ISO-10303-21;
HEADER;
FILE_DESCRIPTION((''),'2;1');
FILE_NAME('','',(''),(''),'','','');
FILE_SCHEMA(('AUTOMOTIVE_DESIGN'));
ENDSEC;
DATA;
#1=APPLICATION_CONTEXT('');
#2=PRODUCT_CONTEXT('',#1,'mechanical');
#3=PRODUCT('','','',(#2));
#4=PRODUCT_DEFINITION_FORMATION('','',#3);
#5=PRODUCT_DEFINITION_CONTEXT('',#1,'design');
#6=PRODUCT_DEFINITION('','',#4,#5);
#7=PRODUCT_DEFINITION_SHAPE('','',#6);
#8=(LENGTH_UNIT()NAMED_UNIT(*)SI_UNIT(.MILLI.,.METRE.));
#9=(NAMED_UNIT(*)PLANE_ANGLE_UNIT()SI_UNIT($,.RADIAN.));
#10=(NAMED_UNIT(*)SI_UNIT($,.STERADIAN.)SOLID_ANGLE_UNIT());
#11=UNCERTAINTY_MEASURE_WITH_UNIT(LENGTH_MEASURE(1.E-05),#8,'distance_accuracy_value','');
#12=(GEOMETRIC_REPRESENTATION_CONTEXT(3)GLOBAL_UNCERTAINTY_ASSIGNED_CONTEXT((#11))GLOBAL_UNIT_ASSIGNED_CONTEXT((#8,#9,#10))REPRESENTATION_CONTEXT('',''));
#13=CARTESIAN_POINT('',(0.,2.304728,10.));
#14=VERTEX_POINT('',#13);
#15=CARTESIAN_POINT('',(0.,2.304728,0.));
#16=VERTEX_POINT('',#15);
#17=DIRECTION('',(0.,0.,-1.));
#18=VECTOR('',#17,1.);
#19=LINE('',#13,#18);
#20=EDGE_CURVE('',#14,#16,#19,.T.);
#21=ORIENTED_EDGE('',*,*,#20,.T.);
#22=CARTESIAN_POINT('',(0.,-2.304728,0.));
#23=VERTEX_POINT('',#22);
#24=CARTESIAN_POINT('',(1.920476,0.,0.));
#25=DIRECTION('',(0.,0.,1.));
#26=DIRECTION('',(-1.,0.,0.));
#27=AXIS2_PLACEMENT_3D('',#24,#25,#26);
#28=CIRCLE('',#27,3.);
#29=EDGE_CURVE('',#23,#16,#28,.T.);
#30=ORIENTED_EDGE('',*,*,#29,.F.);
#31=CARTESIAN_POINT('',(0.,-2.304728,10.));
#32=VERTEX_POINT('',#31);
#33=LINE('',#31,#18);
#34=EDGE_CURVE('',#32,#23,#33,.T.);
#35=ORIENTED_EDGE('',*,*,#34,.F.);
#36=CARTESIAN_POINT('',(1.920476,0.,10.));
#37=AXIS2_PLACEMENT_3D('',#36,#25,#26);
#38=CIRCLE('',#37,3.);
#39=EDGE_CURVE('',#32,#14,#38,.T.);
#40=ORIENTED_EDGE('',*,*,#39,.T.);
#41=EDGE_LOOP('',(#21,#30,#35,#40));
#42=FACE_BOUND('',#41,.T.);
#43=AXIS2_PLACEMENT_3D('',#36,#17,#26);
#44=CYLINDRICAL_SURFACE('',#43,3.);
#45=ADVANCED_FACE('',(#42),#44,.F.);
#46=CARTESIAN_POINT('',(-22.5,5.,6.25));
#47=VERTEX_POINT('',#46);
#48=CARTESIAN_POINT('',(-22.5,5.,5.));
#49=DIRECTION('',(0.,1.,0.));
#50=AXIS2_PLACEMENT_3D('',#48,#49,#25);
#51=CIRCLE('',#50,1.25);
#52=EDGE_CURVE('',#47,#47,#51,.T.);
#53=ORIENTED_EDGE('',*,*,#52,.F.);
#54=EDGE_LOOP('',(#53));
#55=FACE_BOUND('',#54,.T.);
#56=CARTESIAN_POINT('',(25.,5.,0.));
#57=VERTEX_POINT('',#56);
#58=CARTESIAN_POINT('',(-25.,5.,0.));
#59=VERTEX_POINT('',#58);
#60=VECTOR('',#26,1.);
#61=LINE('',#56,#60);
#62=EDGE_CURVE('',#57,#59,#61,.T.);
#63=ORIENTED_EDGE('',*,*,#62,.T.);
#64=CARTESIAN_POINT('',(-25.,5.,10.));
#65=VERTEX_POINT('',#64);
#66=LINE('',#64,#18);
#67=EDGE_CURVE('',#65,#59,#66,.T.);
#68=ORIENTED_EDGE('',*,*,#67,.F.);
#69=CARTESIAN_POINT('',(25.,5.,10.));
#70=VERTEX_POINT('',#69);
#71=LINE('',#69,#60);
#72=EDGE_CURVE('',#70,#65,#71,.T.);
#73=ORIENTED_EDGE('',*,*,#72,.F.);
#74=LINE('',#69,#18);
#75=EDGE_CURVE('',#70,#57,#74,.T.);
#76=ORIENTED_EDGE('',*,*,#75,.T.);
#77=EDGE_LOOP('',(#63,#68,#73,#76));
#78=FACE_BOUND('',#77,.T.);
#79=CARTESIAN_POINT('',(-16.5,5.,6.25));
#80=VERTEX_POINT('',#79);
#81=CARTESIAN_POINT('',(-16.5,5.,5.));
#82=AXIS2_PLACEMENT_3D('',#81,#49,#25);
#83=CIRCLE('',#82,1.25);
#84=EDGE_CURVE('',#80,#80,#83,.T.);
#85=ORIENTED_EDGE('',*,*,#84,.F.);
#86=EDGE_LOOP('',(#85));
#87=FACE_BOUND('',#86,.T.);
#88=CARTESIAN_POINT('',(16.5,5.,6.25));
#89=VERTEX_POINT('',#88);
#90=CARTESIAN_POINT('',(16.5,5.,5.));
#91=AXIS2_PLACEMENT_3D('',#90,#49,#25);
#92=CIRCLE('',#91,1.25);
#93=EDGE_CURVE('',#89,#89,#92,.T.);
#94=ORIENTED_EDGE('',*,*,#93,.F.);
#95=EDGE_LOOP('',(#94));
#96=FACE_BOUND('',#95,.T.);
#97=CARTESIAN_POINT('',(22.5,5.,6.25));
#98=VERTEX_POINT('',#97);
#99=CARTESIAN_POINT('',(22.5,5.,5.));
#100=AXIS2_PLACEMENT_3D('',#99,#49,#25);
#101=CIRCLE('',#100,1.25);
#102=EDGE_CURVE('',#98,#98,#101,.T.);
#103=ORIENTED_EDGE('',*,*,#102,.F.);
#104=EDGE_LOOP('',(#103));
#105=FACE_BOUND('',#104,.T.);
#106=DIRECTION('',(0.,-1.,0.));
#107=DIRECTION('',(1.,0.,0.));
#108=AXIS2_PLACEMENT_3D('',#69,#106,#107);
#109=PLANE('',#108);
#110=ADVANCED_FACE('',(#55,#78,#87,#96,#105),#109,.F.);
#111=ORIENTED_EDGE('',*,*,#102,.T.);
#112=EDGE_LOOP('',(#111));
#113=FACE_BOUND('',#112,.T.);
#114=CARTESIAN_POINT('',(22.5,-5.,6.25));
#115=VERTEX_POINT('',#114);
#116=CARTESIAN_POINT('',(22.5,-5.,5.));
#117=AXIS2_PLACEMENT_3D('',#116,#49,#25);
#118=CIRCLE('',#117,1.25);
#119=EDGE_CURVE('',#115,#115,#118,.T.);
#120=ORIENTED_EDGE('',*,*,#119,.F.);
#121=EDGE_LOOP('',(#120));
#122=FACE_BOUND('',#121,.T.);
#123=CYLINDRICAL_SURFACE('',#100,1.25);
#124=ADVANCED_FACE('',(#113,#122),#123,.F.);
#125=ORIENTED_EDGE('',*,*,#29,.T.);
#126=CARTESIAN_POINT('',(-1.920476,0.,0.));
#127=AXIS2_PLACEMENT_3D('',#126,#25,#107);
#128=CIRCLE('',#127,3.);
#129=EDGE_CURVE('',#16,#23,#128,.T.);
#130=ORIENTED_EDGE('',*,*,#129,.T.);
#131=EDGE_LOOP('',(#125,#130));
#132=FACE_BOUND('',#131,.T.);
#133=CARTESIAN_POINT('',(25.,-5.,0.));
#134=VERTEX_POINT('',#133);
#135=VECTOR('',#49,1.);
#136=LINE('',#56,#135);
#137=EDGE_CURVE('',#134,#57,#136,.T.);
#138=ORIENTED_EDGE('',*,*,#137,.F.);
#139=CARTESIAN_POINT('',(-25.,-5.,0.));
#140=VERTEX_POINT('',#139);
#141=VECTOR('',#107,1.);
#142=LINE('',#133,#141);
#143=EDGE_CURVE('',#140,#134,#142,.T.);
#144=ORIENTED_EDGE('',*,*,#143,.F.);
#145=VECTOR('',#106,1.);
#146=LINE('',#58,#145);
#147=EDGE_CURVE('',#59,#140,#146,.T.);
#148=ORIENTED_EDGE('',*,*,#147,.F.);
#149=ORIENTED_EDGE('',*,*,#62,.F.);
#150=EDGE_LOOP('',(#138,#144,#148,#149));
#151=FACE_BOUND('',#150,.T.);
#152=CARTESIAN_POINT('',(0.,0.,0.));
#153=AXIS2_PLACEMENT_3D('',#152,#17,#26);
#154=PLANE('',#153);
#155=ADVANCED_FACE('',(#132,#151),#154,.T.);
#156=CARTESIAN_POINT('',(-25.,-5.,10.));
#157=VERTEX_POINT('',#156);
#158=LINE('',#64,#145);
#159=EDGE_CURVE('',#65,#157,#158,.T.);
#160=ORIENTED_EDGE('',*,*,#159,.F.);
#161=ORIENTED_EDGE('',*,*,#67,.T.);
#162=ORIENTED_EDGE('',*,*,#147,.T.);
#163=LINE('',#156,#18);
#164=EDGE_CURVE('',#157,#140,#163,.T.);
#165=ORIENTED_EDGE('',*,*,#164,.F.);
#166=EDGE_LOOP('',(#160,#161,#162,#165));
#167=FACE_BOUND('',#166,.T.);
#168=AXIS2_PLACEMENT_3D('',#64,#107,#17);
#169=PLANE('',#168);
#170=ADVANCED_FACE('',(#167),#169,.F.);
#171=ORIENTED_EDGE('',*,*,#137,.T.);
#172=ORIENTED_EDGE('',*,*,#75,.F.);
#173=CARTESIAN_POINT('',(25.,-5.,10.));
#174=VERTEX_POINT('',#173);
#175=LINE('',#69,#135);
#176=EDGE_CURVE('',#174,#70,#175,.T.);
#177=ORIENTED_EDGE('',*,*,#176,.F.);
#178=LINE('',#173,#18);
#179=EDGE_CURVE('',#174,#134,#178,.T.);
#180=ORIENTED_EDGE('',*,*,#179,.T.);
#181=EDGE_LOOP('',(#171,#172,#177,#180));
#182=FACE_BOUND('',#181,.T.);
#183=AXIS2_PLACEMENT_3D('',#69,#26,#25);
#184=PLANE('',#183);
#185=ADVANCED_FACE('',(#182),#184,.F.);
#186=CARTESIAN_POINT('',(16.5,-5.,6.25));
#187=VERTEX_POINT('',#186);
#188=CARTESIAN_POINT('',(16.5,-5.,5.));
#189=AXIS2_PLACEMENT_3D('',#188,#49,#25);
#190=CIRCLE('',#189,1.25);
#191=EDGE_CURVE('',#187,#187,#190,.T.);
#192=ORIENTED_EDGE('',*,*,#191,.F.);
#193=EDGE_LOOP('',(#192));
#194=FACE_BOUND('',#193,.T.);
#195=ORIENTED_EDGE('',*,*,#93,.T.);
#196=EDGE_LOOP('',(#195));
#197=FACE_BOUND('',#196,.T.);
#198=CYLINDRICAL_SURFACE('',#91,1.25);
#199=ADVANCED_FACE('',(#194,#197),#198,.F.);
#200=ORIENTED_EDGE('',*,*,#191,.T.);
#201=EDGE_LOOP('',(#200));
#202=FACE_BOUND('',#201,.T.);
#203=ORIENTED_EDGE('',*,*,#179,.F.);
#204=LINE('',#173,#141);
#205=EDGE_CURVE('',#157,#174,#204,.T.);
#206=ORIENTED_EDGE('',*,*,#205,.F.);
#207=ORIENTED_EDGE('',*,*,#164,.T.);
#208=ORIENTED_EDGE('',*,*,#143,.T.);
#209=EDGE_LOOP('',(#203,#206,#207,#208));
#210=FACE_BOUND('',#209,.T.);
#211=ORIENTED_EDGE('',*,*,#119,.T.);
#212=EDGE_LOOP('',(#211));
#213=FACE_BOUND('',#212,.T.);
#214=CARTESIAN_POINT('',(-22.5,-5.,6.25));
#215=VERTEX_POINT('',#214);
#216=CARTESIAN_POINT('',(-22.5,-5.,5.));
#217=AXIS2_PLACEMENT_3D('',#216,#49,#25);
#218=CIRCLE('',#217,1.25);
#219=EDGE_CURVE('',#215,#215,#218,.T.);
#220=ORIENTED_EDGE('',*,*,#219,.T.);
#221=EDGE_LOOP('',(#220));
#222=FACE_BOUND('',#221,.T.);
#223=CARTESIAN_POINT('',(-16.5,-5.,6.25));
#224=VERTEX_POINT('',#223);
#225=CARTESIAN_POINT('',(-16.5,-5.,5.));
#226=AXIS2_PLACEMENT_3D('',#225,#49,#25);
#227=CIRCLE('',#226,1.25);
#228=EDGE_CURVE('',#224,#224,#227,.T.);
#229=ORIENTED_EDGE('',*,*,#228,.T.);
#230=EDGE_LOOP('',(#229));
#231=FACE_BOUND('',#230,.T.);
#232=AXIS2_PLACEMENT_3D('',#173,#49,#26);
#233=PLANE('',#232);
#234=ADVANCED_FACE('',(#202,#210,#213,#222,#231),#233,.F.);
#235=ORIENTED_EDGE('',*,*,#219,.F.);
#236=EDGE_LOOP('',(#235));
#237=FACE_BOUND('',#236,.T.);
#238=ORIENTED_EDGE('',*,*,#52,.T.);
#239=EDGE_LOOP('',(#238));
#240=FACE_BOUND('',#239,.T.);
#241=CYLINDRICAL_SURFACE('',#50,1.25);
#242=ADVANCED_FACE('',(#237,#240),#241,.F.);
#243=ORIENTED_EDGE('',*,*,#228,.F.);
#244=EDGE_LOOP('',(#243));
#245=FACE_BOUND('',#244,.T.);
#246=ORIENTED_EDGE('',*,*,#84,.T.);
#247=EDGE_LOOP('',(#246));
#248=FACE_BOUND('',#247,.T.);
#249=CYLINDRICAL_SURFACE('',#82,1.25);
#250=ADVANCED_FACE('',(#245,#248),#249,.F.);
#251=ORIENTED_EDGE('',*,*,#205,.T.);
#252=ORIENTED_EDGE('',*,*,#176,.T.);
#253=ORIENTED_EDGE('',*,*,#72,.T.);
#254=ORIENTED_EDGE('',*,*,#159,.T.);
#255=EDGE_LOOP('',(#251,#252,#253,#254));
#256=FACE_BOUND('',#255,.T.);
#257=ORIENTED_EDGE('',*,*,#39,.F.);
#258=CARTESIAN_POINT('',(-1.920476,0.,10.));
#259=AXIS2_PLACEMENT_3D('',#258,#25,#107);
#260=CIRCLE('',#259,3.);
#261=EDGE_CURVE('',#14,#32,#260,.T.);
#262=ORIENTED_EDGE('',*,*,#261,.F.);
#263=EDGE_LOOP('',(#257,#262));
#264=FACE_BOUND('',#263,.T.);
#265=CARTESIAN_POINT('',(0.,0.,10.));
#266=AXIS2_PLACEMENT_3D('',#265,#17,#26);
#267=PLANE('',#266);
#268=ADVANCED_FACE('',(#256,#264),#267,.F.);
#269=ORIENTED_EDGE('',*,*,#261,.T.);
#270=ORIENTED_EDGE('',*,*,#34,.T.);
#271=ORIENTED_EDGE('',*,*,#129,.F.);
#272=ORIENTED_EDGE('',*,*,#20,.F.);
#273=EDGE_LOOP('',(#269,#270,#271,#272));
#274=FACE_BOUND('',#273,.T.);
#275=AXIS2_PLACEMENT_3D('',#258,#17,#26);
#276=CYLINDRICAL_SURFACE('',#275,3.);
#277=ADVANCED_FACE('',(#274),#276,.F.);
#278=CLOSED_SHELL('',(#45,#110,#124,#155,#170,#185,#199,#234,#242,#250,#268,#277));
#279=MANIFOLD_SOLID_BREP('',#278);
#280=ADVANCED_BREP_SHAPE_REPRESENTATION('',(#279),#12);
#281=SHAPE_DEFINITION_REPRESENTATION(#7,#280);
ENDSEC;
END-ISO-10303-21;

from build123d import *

# Parameters (mm, degrees)
CROQUIS1_W                                 = 50
CROQUIS1_H                                 = 10
SALIENTE_EXTRUIR1_DEPTH                    = 10
PERFORADOR_PARA_ROSCAR_PARA_MACHO_DE_ROS_D = 2.5
PERFORADOR_PARA_ROSCAR_PARA_MACHO_DE_2_D   = 2.5


with BuildPart() as part:
    # Croquis1 → Saliente-Extruir1 (new body)
    with BuildSketch(Plane.XY):
        Rectangle(CROQUIS1_W, CROQUIS1_H)
        with BuildLine():
            ThreePointArc((0, 2.304727813), (-4.920476427, 0), (0, -2.304727813))
            ThreePointArc((0, -2.304727813), (4.920476427, 0), (0, 2.304727813))
        make_face(mode=Mode.SUBTRACT)
    extrude(amount=SALIENTE_EXTRUIR1_DEPTH)

    # Perforador para roscar para macho de ros (through all)
    with Locations(Plane(origin=(0, 5, 0), x_dir=(1, 0, 0), z_dir=(0, 1, 0))):
        with Locations((-22.5, -5), (-16.5, -5)):
            Hole(PERFORADOR_PARA_ROSCAR_PARA_MACHO_DE_ROS_D / 2)

    # Perforador para roscar para macho de 2 (through all)
    with Locations(Plane(origin=(0, 5, 0), x_dir=(1, 0, 0), z_dir=(0, 1, 0))):
        with Locations((22.5, -5), (16.5, -5)):
            Hole(PERFORADOR_PARA_ROSCAR_PARA_MACHO_DE_2_D / 2)


solid = part.part
